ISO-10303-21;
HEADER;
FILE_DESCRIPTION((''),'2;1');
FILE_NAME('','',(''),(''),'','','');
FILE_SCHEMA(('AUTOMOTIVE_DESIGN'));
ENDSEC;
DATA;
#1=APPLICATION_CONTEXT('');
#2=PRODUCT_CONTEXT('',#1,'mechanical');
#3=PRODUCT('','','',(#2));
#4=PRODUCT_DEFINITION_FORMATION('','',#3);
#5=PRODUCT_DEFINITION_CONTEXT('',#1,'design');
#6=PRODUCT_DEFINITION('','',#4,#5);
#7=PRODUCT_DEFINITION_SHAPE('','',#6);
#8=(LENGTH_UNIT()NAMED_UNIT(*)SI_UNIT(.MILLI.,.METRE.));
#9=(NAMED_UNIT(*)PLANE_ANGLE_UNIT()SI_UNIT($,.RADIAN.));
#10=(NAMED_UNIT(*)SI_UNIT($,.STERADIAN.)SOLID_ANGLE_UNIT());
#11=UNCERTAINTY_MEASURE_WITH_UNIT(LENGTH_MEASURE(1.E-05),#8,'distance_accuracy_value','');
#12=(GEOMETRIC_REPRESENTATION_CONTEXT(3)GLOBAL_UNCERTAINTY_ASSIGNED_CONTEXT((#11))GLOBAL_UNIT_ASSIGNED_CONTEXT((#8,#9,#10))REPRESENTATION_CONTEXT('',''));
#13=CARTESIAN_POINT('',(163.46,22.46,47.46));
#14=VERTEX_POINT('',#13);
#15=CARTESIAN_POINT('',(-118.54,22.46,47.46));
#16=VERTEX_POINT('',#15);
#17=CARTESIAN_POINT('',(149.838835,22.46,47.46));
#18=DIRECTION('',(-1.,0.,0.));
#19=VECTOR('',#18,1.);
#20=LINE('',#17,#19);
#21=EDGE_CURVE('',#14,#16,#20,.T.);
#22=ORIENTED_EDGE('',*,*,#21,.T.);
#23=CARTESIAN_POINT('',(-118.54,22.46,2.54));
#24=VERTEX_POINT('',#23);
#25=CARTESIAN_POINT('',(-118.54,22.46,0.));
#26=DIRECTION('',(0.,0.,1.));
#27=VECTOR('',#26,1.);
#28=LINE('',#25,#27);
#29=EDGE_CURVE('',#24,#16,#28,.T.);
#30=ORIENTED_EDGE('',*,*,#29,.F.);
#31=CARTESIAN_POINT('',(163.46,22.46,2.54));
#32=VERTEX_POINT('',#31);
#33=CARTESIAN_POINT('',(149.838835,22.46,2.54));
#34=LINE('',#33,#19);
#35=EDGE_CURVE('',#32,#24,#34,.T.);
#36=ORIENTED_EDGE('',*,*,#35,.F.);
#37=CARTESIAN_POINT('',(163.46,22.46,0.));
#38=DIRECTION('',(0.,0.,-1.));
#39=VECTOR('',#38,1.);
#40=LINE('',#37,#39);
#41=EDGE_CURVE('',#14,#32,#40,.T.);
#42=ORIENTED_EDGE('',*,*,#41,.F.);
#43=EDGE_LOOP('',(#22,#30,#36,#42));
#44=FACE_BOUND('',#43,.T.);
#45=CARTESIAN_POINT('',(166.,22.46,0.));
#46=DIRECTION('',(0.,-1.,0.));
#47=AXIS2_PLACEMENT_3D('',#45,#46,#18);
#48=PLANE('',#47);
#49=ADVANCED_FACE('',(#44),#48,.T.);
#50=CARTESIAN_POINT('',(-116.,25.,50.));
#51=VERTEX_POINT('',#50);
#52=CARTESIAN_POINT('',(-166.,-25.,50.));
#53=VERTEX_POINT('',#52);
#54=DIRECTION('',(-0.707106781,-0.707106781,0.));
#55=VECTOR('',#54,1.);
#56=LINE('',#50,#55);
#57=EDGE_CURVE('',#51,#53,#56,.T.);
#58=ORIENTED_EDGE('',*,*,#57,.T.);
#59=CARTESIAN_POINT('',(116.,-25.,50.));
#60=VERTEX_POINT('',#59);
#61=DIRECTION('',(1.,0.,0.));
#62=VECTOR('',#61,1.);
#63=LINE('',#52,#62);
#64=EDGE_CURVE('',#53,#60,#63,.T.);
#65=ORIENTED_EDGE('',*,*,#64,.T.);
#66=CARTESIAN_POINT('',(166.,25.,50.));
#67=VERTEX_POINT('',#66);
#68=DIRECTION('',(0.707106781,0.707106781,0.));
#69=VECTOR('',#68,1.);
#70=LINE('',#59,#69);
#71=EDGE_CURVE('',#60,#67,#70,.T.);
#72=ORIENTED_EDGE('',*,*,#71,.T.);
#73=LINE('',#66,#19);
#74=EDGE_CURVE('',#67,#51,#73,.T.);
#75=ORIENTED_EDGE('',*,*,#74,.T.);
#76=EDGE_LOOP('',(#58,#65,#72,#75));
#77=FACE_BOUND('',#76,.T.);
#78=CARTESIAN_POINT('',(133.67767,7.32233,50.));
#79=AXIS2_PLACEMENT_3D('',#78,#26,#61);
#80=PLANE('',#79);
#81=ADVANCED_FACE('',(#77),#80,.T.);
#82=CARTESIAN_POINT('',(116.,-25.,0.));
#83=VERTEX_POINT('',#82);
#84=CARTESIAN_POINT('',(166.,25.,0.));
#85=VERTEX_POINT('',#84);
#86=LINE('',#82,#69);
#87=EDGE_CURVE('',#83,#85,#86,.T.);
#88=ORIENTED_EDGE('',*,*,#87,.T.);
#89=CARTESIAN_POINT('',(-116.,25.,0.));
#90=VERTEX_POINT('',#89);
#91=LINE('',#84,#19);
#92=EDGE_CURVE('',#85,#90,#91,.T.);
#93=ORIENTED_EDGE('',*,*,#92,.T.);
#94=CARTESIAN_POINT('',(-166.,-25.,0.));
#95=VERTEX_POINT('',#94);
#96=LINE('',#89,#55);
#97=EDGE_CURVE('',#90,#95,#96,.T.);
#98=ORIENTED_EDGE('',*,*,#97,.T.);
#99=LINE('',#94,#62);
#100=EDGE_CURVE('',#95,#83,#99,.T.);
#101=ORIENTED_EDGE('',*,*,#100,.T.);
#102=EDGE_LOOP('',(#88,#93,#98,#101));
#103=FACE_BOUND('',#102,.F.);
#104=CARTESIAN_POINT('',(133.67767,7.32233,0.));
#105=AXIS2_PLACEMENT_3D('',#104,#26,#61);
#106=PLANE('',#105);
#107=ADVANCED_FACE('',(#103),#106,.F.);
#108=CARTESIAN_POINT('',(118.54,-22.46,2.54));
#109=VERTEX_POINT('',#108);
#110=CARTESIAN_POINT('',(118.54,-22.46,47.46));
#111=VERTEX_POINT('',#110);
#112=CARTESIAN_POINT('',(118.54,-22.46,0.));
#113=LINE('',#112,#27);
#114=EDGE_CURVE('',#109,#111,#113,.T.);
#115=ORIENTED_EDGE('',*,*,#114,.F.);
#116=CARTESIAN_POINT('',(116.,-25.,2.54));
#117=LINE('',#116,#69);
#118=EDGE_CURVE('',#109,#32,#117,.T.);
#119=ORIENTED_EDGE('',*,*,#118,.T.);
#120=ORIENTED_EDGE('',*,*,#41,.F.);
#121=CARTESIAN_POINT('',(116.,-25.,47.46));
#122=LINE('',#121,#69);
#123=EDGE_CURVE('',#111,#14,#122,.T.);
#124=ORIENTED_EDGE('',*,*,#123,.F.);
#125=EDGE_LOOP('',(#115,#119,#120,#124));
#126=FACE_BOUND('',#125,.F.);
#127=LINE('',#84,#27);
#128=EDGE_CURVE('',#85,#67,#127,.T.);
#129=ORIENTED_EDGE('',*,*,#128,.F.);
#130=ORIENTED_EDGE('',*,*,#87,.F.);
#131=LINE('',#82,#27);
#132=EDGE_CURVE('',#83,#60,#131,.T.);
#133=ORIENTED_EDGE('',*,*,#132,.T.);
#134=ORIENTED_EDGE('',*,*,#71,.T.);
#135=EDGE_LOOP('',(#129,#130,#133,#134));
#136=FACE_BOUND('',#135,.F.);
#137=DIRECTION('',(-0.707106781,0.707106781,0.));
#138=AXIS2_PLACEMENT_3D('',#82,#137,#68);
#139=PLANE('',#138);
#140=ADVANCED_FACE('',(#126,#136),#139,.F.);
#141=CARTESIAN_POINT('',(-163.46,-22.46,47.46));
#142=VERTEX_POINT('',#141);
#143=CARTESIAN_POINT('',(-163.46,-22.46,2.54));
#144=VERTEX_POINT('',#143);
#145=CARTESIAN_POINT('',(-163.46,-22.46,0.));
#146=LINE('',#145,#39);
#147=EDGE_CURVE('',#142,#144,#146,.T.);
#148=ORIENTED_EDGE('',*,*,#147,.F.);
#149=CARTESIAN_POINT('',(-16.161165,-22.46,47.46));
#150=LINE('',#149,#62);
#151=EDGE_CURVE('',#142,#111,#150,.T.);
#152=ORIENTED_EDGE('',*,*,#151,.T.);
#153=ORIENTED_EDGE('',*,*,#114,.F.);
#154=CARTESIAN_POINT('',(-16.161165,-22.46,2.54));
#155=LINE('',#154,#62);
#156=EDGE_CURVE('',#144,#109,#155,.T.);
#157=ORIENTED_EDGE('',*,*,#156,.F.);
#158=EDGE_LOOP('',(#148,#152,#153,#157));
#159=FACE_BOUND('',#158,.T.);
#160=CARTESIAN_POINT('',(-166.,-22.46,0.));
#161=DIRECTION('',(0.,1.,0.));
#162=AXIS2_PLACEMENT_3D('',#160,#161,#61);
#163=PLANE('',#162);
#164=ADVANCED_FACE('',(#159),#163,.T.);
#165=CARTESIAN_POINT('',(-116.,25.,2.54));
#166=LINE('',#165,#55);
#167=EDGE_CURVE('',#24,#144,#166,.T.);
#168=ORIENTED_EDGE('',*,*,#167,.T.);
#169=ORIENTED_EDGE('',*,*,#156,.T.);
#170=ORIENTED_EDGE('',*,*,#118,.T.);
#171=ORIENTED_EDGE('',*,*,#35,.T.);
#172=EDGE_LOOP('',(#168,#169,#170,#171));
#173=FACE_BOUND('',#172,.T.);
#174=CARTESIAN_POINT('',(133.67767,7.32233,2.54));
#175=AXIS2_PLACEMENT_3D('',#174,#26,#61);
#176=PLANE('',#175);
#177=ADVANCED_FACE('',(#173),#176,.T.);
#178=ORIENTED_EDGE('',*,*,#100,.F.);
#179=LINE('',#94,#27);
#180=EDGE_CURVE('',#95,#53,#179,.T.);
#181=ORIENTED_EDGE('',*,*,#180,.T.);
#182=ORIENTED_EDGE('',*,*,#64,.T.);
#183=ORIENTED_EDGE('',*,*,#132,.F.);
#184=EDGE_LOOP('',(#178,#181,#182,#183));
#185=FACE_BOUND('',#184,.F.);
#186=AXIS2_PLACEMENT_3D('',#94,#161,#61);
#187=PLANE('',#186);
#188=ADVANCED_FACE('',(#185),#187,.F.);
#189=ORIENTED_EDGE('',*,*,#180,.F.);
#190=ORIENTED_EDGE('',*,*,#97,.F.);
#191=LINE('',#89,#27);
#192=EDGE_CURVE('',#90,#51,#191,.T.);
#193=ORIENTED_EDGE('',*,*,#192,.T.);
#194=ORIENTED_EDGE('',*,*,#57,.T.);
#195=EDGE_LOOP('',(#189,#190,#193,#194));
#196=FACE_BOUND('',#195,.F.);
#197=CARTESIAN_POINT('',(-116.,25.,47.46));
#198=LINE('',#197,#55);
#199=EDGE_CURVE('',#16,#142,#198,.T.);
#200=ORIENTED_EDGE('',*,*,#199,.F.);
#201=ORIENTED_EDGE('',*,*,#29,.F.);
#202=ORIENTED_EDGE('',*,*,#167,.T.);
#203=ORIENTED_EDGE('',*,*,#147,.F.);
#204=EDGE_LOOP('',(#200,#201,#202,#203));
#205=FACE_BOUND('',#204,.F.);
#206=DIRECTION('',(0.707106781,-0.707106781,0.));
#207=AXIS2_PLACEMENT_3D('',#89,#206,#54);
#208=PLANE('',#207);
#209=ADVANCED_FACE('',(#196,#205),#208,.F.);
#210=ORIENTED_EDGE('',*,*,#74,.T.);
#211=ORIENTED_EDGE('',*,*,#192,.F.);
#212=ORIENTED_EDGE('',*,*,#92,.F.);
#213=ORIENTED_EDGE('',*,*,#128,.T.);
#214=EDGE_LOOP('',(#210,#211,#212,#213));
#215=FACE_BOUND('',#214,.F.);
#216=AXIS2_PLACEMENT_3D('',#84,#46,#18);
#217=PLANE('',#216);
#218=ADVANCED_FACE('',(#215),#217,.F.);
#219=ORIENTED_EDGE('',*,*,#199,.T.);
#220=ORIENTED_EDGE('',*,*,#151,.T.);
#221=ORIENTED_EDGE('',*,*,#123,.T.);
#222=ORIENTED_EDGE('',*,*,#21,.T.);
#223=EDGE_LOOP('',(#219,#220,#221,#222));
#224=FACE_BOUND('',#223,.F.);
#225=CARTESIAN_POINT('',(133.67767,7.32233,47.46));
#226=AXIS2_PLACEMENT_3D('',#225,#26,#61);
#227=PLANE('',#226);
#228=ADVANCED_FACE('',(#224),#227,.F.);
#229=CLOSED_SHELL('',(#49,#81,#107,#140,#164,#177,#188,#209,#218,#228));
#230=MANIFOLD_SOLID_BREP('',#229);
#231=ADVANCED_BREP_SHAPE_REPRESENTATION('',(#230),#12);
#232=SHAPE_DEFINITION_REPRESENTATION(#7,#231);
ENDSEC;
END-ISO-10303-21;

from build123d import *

# Parameters (mm, degrees)
F0_W     = 232
F0_H     = 50
F1_DEPTH = 50
F2_T     = -2.54


with BuildPart() as f1:
    # F0 (on Top) → F1 (new body)
    with BuildSketch(Plane.XY):
        Polygon((116, 25), (116, -25), (166, 25), align=None)
        Rectangle(F0_W, F0_H)
        Polygon((-166, -25), (-116, -25), (-116, 25), align=None)
    extrude(amount=F1_DEPTH)

    # F2
    f2_openings = [f1.faces().sort_by_distance(p)[0] for p in [
        (141, 0, 25),
        (-141, 0, 25),
    ]]
    offset(amount=F2_T, openings=f2_openings)


solid = f1.part
